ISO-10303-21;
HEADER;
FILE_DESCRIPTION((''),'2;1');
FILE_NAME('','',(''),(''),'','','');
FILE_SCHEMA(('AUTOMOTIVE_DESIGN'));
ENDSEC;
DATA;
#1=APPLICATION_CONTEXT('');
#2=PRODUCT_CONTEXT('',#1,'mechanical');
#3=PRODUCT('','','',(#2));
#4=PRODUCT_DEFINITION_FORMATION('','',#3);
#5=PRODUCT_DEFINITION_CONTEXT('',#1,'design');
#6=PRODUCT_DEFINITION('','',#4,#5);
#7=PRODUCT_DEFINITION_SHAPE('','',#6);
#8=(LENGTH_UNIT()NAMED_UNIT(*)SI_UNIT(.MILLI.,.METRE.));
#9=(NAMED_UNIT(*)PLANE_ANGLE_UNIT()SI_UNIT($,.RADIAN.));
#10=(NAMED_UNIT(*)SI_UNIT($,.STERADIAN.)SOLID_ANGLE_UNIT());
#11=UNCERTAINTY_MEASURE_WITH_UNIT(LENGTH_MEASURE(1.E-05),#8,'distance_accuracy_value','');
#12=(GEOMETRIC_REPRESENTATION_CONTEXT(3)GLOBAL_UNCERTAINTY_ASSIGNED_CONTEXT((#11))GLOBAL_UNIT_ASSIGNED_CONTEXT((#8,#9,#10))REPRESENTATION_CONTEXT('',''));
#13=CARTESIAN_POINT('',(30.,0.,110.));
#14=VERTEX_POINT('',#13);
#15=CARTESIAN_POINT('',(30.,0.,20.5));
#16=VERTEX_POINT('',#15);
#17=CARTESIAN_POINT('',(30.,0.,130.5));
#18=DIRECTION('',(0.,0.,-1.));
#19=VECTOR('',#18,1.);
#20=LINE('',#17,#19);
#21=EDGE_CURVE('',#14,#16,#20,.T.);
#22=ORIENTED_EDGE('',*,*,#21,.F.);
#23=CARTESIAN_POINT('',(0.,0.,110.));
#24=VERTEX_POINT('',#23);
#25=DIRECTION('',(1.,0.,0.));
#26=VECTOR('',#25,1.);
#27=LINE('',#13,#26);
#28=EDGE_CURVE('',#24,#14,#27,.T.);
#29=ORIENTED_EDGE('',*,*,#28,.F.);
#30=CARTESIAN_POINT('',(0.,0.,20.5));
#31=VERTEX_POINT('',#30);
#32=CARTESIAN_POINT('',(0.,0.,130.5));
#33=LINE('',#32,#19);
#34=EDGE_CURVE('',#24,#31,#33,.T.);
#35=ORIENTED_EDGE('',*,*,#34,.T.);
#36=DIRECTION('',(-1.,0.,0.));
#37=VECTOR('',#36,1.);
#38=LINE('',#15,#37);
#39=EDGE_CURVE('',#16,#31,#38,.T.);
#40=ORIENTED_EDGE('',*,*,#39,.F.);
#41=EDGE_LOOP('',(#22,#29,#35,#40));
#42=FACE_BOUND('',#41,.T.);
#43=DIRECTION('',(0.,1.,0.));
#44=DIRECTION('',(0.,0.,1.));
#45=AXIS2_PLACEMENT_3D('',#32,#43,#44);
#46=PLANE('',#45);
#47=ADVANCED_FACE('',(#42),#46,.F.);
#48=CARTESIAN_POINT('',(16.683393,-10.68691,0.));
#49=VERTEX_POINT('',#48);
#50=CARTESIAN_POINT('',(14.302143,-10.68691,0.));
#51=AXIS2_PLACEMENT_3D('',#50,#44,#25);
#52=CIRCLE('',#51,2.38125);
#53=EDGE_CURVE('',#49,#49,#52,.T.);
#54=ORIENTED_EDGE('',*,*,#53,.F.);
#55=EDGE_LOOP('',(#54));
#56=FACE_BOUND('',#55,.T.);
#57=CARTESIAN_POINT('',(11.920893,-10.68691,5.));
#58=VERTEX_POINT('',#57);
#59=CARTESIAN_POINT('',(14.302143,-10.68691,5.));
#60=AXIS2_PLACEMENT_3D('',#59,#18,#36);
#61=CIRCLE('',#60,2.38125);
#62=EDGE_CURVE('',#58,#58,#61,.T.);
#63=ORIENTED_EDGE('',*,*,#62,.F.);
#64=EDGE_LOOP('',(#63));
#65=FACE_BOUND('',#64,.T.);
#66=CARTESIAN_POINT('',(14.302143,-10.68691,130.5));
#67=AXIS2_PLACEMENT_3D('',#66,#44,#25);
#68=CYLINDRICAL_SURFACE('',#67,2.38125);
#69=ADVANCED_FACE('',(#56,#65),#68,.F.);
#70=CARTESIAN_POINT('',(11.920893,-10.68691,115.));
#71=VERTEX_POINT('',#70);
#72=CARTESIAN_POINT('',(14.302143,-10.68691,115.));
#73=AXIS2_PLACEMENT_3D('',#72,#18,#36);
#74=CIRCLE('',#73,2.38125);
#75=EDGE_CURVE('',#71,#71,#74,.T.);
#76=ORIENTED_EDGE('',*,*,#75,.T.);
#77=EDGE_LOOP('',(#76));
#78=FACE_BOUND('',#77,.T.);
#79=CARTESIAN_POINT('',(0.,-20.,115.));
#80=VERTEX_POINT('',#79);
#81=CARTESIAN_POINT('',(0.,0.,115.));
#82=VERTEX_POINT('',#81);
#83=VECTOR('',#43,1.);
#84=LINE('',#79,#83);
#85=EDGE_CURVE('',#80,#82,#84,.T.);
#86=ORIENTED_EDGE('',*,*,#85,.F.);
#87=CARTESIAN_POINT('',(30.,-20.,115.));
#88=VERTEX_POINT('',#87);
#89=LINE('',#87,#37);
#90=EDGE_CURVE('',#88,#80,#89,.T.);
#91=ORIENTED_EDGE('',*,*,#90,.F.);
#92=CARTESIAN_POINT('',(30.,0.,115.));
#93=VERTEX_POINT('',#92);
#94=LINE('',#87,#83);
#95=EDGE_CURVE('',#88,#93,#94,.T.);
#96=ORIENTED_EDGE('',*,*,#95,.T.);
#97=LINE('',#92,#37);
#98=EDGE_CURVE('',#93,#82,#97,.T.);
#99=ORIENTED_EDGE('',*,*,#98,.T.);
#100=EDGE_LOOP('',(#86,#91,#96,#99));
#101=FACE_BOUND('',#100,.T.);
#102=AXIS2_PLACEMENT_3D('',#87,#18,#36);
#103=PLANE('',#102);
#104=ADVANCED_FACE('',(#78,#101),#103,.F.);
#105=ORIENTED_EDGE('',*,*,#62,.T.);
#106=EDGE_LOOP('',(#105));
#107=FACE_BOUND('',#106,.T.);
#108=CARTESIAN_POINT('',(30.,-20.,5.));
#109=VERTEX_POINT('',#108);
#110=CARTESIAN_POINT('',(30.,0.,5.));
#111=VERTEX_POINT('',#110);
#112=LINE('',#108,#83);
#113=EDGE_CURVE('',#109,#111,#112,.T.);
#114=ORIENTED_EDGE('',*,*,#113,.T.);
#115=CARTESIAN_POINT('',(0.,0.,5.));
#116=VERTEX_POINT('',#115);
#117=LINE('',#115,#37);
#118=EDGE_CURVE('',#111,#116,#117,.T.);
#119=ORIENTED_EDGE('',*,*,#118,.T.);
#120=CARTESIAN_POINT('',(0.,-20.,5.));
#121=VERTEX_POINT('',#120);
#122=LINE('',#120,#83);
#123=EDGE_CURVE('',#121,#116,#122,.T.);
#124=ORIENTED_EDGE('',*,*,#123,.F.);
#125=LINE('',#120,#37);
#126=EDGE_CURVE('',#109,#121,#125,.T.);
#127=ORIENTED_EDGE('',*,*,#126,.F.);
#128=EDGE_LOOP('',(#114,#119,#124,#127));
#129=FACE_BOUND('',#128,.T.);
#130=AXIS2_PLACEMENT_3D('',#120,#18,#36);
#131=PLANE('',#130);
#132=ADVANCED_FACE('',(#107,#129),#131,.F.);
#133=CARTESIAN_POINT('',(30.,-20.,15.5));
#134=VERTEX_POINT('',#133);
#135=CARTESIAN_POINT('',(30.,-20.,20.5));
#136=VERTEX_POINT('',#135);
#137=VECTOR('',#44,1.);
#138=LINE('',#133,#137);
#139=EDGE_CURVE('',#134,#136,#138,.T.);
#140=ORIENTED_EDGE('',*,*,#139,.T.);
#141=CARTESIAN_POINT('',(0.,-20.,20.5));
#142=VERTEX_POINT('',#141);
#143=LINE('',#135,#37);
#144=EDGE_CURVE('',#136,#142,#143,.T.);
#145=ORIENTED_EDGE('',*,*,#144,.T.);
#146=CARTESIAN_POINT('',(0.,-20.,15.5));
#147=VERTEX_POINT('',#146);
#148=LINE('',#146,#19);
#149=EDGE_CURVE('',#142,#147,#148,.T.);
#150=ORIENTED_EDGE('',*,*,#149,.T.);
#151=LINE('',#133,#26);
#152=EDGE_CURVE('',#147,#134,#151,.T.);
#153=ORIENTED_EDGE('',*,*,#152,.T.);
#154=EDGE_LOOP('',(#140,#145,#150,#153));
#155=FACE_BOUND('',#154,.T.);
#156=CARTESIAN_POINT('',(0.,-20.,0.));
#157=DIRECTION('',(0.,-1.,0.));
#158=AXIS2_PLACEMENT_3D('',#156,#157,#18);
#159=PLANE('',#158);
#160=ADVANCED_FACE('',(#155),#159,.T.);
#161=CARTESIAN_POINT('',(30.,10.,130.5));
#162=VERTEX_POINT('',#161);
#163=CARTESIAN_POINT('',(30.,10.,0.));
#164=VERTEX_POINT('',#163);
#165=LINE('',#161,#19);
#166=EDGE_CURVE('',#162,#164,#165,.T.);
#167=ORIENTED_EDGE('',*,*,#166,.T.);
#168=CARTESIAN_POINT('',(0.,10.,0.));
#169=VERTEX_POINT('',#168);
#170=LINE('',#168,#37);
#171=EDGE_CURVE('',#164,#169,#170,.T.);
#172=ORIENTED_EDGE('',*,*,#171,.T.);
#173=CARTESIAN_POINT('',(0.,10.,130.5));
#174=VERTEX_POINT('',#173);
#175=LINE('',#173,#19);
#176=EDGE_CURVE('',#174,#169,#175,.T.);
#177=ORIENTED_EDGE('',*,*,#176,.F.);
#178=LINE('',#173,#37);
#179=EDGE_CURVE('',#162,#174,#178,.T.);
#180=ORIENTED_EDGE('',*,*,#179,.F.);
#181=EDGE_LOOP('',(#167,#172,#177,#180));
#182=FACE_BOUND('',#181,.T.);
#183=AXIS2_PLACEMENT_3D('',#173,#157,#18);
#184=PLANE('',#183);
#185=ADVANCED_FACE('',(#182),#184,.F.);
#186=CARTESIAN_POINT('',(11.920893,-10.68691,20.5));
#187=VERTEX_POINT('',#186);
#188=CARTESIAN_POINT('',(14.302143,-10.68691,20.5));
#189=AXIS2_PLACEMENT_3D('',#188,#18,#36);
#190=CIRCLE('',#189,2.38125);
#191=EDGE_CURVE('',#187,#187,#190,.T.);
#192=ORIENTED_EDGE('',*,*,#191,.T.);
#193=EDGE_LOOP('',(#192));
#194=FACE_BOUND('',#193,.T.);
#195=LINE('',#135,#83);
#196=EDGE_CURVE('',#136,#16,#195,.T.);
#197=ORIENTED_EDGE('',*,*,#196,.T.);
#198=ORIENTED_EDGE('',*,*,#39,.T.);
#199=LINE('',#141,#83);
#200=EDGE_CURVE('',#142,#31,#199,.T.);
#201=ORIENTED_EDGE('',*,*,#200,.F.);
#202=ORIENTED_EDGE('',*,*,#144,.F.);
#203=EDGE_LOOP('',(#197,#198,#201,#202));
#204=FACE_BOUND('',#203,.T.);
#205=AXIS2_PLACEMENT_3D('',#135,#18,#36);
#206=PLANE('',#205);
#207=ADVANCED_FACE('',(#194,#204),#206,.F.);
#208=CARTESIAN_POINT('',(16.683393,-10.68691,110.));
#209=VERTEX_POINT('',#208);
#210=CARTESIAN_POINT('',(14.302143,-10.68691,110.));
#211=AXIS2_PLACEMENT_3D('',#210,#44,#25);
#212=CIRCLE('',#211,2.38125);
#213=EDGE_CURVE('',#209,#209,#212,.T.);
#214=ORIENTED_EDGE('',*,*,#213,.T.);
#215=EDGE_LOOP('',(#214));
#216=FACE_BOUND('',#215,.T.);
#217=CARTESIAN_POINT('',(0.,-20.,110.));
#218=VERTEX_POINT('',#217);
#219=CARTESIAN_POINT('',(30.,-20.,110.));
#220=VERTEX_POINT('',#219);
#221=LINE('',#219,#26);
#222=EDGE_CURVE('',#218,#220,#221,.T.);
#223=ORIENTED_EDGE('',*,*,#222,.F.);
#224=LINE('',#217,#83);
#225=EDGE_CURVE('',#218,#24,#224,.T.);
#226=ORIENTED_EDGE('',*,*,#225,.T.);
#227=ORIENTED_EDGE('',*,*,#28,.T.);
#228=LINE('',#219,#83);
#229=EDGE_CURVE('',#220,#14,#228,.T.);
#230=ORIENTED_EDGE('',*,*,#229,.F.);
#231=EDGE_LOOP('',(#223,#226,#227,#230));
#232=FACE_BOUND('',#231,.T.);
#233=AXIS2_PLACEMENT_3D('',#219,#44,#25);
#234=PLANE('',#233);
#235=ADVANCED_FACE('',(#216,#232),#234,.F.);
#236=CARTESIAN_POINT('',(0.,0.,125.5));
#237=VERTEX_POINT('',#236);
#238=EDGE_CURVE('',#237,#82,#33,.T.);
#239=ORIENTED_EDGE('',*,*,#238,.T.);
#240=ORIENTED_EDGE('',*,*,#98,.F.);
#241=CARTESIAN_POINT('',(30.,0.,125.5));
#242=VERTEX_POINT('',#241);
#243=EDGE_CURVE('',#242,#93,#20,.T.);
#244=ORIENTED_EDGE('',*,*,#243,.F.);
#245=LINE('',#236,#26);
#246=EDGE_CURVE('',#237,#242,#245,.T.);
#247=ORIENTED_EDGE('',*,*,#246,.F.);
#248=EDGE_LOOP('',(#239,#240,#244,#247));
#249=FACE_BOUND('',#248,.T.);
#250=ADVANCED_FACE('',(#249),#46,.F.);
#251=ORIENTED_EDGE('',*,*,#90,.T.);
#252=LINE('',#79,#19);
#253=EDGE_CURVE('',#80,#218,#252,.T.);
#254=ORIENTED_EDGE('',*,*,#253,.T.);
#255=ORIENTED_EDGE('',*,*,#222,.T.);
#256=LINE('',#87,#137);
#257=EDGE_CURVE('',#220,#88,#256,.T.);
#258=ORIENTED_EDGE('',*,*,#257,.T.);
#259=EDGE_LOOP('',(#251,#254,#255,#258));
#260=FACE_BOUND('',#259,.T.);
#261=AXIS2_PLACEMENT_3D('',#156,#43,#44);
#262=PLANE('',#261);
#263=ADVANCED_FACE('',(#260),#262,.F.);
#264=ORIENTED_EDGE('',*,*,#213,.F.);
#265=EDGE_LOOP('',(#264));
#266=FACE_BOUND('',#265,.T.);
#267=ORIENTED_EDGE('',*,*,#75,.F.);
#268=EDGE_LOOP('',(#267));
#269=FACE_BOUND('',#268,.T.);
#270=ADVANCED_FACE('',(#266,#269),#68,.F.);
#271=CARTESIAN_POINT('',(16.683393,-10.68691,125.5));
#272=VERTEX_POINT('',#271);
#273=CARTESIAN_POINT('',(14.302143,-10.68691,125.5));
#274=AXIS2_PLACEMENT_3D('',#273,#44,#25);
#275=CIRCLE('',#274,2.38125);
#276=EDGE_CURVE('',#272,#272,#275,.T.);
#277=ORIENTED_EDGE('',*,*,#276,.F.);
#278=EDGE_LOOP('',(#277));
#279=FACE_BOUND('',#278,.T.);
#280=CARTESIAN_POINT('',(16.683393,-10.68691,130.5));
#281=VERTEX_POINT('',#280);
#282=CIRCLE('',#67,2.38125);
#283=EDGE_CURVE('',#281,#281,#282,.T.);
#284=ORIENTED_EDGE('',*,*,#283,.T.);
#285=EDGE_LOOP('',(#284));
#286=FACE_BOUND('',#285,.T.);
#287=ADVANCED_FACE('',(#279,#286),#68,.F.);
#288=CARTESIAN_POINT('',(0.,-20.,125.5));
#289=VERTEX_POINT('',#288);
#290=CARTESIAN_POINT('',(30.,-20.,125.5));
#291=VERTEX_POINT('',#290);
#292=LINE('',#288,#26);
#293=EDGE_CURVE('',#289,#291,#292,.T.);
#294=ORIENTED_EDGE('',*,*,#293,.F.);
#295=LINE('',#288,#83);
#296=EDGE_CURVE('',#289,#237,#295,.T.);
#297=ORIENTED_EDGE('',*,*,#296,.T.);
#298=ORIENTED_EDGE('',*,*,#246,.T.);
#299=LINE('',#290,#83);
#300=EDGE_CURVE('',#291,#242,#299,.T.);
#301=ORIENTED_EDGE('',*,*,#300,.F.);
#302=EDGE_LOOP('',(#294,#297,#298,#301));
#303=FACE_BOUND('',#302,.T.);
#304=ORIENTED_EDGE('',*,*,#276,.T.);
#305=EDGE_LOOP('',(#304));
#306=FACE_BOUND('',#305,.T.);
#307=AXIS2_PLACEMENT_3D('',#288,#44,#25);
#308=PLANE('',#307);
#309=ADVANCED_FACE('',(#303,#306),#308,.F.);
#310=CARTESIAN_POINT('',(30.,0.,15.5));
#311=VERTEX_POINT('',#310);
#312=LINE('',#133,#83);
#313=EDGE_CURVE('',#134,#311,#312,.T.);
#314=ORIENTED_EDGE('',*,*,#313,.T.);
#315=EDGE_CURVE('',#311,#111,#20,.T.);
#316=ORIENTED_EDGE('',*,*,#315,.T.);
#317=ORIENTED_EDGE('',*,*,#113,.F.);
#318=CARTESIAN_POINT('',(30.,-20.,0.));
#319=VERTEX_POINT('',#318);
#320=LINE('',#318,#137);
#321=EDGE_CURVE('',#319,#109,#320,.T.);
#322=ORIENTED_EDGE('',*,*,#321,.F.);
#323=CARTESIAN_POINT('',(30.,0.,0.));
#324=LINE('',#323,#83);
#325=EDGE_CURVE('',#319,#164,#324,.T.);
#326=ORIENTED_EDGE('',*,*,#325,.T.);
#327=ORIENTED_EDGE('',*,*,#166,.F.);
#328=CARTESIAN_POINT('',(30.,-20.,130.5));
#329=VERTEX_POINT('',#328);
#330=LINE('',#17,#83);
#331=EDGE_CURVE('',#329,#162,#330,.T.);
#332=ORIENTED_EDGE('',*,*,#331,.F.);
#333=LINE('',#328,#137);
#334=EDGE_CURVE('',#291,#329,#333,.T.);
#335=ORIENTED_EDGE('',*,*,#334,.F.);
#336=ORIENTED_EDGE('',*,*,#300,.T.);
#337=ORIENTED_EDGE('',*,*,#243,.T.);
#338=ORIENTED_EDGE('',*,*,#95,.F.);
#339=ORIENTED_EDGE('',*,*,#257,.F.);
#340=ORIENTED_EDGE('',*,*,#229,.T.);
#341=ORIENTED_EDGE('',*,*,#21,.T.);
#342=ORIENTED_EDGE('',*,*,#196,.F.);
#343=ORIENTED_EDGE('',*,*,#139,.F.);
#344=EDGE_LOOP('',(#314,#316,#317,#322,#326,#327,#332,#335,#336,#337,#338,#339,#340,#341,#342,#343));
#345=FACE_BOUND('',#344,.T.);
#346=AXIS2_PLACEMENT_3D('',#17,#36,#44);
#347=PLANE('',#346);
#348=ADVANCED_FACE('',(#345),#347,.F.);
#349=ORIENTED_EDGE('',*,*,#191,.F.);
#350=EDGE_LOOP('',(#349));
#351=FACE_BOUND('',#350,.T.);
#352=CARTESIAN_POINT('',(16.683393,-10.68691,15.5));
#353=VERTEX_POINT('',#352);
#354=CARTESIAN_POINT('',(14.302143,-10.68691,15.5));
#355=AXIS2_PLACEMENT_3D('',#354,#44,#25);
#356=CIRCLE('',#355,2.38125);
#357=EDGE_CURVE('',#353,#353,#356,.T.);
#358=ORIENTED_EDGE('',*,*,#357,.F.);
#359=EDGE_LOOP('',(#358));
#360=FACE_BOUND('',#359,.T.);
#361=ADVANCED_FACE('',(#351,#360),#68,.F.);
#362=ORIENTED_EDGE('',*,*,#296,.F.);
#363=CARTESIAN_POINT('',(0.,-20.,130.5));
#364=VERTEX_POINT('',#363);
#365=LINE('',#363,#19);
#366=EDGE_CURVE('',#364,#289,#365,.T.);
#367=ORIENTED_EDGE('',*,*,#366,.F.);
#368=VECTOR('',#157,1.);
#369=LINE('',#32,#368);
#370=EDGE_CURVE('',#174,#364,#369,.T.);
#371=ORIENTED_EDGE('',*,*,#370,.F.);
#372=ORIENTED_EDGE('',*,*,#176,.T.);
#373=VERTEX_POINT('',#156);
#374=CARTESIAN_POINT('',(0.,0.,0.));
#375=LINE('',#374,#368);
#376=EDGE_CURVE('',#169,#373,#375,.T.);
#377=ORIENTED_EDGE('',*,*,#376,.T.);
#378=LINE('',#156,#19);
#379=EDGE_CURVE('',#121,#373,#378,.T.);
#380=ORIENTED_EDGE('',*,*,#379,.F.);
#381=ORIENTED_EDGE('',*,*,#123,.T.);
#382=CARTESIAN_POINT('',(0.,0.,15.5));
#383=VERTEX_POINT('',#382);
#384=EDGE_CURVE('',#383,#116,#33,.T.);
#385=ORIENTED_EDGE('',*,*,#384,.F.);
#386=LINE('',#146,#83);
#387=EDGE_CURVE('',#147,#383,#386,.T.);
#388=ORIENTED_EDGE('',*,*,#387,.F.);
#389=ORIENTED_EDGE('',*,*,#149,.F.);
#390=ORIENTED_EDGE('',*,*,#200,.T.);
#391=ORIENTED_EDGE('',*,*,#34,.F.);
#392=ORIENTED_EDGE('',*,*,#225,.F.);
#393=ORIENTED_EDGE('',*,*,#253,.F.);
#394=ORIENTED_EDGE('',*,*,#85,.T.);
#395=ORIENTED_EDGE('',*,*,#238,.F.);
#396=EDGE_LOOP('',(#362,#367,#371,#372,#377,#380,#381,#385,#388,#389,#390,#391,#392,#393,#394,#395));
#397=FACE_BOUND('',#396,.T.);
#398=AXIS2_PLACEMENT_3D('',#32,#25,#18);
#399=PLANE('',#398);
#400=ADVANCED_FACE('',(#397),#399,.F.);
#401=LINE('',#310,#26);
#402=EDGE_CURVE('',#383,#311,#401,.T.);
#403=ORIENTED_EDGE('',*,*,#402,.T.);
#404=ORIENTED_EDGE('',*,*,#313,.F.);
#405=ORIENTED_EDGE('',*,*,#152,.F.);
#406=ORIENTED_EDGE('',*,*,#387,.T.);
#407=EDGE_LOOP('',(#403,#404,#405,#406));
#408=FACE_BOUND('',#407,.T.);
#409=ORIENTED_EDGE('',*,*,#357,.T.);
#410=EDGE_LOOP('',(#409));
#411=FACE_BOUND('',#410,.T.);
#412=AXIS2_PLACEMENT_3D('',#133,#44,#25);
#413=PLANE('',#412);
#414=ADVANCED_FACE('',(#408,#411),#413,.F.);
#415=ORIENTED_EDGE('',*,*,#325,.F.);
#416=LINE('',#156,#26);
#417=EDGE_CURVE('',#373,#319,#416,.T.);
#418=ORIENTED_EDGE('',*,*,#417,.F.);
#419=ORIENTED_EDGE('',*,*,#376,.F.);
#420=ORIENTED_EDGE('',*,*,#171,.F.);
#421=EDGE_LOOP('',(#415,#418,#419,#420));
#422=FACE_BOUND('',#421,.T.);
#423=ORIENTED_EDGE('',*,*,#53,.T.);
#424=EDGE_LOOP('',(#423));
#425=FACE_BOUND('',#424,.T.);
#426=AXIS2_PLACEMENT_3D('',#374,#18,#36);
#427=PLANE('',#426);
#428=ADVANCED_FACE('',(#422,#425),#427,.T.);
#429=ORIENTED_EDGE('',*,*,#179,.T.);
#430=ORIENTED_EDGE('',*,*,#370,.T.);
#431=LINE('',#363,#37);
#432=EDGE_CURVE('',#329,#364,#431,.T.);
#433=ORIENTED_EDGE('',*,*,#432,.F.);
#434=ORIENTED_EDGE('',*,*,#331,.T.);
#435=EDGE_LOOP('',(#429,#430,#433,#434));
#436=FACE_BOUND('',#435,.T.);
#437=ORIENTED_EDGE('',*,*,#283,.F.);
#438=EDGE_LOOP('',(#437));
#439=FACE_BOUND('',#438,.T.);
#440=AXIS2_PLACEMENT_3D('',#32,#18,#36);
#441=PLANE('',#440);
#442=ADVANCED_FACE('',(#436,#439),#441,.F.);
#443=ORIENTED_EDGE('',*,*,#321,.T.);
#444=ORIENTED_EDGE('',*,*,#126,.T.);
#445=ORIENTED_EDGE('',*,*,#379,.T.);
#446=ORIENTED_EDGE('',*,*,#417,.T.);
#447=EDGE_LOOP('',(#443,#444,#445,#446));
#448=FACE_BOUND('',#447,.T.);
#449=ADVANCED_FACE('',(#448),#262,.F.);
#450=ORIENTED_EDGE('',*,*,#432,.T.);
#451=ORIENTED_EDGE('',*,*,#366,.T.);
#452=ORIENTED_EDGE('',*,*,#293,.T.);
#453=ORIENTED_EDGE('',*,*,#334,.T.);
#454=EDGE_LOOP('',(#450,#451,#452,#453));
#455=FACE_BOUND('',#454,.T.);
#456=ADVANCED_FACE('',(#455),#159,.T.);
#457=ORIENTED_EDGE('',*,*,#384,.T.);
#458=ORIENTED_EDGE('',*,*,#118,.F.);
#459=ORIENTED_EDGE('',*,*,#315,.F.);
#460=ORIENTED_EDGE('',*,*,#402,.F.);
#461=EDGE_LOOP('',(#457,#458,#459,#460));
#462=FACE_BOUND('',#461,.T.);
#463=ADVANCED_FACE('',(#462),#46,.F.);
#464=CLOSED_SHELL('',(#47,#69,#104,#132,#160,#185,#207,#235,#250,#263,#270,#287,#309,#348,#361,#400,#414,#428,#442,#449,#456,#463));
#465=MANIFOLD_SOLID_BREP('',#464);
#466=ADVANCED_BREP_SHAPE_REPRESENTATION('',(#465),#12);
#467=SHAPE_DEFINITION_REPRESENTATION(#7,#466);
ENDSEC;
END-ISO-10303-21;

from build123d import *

# Parameters (mm, degrees)
ESQUISSE1_W                             = 30
ESQUISSE1_H                             = 10
BOSS_EXTRU_1_DEPTH                      = 130.5
ESQUISSE2_W                             = 30
ESQUISSE2_H                             = 5
BOSS_EXTRU_2_DEPTH                      = 20
PER_AGE_POUR_CROUS_AUTO_BLOQUANTS_300_D = 4.7625


with BuildPart() as part:
    # Esquisse1 → Boss.-Extru.1 (new body)
    with BuildSketch(Plane.XY):
        with Locations((15, 5)):
            Rectangle(ESQUISSE1_W, ESQUISSE1_H)
    extrude(amount=BOSS_EXTRU_1_DEPTH)

    # Esquisse2 → Boss.-Extru.2 (add)
    with BuildSketch(Plane.XZ):
        with Locations((15, 2.5)):
            Rectangle(ESQUISSE2_W, ESQUISSE2_H)
        with Locations((15, 18)):
            Rectangle(ESQUISSE2_W, ESQUISSE2_H)
        with Locations((15, 128)):
            Rectangle(ESQUISSE2_W, ESQUISSE2_H)
        with Locations((15, 112.5)):
            Rectangle(ESQUISSE2_W, ESQUISSE2_H)
    extrude(amount=BOSS_EXTRU_2_DEPTH)

    # Perçage pour écrous auto-bloquants 300® #6 (SP)1 (through all)
    with Locations(Plane.XY.offset(130.5)):
        with Locations((14.302143115, -10.686909811)):
            Hole(PER_AGE_POUR_CROUS_AUTO_BLOQUANTS_300_D / 2)


solid = part.part
